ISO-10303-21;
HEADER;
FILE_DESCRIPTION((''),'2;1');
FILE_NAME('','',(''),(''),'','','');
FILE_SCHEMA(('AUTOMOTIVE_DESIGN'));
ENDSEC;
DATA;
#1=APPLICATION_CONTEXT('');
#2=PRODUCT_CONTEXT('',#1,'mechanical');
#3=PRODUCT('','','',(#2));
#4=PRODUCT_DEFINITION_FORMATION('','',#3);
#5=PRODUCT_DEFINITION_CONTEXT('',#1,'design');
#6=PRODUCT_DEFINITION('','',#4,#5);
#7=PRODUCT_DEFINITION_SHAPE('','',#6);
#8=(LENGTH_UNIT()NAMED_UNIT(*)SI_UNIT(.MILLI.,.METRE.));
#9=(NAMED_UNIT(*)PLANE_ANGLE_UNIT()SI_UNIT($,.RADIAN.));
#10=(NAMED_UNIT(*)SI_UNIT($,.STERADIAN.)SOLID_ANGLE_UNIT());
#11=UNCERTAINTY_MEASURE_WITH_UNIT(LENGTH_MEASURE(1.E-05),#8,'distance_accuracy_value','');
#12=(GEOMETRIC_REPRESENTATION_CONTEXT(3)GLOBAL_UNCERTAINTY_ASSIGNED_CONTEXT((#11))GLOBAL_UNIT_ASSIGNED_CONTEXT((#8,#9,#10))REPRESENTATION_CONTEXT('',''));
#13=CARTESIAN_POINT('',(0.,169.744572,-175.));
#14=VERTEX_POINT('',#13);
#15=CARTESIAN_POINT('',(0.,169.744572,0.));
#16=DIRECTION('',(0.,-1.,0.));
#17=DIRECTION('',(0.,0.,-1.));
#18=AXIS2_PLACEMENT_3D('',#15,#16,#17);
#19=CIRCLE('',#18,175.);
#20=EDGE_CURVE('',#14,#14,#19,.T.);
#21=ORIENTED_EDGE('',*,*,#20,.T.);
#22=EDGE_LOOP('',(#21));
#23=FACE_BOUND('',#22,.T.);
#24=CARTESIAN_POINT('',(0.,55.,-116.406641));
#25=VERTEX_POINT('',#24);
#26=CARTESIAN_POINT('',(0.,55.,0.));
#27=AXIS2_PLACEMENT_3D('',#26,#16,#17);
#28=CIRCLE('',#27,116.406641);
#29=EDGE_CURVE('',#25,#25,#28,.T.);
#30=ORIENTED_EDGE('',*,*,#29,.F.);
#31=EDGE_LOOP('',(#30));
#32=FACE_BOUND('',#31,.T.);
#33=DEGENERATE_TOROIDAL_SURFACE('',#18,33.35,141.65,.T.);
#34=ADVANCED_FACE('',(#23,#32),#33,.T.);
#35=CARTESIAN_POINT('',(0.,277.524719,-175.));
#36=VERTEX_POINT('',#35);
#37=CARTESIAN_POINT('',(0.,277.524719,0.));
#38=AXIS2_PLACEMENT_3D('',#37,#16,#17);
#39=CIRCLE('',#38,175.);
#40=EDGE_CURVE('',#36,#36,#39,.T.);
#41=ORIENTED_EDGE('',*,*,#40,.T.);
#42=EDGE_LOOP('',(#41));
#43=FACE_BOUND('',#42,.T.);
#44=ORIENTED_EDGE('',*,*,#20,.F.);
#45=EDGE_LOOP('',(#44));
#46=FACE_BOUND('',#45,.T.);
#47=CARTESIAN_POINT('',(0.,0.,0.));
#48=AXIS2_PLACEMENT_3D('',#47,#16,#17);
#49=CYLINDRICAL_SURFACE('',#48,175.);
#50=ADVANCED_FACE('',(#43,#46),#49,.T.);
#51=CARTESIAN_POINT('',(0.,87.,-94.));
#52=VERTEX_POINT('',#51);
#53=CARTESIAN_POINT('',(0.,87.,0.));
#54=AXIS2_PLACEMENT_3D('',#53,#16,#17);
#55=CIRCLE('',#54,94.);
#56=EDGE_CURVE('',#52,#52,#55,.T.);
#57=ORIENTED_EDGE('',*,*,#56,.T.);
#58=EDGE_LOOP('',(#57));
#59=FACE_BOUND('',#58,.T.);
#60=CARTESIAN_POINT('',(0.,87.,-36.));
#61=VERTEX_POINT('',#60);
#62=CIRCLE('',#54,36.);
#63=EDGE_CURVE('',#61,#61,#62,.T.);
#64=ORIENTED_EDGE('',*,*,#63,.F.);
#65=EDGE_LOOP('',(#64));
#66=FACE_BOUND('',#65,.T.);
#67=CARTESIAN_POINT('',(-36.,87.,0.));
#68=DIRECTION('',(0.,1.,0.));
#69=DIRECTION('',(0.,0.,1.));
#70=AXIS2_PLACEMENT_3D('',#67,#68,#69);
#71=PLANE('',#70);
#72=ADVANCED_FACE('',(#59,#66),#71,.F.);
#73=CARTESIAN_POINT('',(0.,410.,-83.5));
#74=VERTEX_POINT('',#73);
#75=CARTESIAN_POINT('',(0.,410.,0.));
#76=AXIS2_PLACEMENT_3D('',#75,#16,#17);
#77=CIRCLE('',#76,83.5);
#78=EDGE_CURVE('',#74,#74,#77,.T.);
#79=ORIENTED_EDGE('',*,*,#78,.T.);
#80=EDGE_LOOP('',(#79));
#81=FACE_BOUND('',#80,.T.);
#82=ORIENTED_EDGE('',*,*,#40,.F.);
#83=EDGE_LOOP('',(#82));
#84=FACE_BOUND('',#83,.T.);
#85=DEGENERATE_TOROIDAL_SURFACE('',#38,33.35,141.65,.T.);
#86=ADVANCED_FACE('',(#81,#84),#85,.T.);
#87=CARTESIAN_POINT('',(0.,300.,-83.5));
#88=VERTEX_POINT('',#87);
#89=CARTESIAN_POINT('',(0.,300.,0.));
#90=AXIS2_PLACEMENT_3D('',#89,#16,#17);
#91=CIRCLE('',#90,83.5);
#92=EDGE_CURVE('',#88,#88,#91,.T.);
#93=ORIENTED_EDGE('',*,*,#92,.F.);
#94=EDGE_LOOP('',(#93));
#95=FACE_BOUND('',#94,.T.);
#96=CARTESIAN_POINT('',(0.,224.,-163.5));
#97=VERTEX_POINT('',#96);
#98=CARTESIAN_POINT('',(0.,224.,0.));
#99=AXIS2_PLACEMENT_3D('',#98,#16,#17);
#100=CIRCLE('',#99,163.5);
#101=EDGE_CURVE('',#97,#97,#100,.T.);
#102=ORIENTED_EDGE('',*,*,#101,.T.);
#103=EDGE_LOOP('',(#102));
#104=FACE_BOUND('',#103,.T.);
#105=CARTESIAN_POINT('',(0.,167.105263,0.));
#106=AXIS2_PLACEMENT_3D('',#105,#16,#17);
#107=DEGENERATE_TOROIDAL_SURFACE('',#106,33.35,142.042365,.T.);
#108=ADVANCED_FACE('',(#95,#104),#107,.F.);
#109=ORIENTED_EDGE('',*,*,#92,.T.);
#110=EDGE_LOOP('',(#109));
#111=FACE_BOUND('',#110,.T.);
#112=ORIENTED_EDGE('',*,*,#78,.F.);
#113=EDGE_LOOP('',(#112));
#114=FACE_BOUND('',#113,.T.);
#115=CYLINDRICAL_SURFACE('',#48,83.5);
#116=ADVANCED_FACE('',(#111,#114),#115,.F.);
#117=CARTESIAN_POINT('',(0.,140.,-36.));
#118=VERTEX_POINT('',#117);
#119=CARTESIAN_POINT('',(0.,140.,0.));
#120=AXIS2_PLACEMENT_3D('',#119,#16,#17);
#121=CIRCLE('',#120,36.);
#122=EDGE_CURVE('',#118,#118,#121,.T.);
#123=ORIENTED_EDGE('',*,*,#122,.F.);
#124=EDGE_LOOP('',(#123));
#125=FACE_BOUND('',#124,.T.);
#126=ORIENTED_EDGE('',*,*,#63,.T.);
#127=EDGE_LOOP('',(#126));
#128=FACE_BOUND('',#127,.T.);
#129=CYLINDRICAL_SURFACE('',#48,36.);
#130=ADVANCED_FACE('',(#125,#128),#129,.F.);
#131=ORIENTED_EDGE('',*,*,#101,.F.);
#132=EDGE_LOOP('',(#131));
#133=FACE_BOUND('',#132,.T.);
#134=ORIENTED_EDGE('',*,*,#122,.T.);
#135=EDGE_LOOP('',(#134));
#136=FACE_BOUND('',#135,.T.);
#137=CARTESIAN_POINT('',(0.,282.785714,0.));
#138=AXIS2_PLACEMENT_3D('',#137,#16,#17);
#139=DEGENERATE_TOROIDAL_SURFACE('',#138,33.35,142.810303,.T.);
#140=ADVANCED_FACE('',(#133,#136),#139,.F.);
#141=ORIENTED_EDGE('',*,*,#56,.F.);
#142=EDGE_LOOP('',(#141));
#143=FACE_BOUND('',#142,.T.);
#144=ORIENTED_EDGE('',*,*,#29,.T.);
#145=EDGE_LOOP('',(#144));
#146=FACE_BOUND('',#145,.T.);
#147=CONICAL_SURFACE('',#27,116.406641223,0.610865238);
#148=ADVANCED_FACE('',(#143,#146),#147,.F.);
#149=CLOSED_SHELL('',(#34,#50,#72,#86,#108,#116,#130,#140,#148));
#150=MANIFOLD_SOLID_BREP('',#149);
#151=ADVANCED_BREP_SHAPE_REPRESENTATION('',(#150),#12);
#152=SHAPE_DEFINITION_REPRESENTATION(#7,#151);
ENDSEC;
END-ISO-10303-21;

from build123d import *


with BuildPart() as part:
    # Skizze1 → Rotation1 (revolve)
    with BuildSketch(Plane.XY, mode=Mode.PRIVATE) as rotation1_sk:
        with BuildLine():
            Line((-83.5, 410), (-83.5, 300))
            ThreePointArc((-83.5, 300), (-131.181602767, 270.08589765), (-163.5, 224))
            ThreePointArc((-163.5, 224), (-111.918186946, 163.530430528), (-36, 140))
            Line((-36, 140), (-36, 87))
            Line((-36, 87), (-94, 87))
            Line((-94, 87), (-116.406641223, 55))
            ThreePointArc((-116.406641223, 55), (-159.504064003, 105.325051589), (-175, 169.744572198))
            Line((-175, 169.744572198), (-175, 277.524719287))
            ThreePointArc((-175, 277.524719287), (-149.901426418, 358.026194429), (-83.5, 410))
        make_face()
    revolve(rotation1_sk.sketch.rotate(Axis((0, 0, 0), (0, 1, 0)), 270), axis=Axis((0, 0, 0), (0, 1, 0)))  # turned: the seam where the file's is


solid = part.part
